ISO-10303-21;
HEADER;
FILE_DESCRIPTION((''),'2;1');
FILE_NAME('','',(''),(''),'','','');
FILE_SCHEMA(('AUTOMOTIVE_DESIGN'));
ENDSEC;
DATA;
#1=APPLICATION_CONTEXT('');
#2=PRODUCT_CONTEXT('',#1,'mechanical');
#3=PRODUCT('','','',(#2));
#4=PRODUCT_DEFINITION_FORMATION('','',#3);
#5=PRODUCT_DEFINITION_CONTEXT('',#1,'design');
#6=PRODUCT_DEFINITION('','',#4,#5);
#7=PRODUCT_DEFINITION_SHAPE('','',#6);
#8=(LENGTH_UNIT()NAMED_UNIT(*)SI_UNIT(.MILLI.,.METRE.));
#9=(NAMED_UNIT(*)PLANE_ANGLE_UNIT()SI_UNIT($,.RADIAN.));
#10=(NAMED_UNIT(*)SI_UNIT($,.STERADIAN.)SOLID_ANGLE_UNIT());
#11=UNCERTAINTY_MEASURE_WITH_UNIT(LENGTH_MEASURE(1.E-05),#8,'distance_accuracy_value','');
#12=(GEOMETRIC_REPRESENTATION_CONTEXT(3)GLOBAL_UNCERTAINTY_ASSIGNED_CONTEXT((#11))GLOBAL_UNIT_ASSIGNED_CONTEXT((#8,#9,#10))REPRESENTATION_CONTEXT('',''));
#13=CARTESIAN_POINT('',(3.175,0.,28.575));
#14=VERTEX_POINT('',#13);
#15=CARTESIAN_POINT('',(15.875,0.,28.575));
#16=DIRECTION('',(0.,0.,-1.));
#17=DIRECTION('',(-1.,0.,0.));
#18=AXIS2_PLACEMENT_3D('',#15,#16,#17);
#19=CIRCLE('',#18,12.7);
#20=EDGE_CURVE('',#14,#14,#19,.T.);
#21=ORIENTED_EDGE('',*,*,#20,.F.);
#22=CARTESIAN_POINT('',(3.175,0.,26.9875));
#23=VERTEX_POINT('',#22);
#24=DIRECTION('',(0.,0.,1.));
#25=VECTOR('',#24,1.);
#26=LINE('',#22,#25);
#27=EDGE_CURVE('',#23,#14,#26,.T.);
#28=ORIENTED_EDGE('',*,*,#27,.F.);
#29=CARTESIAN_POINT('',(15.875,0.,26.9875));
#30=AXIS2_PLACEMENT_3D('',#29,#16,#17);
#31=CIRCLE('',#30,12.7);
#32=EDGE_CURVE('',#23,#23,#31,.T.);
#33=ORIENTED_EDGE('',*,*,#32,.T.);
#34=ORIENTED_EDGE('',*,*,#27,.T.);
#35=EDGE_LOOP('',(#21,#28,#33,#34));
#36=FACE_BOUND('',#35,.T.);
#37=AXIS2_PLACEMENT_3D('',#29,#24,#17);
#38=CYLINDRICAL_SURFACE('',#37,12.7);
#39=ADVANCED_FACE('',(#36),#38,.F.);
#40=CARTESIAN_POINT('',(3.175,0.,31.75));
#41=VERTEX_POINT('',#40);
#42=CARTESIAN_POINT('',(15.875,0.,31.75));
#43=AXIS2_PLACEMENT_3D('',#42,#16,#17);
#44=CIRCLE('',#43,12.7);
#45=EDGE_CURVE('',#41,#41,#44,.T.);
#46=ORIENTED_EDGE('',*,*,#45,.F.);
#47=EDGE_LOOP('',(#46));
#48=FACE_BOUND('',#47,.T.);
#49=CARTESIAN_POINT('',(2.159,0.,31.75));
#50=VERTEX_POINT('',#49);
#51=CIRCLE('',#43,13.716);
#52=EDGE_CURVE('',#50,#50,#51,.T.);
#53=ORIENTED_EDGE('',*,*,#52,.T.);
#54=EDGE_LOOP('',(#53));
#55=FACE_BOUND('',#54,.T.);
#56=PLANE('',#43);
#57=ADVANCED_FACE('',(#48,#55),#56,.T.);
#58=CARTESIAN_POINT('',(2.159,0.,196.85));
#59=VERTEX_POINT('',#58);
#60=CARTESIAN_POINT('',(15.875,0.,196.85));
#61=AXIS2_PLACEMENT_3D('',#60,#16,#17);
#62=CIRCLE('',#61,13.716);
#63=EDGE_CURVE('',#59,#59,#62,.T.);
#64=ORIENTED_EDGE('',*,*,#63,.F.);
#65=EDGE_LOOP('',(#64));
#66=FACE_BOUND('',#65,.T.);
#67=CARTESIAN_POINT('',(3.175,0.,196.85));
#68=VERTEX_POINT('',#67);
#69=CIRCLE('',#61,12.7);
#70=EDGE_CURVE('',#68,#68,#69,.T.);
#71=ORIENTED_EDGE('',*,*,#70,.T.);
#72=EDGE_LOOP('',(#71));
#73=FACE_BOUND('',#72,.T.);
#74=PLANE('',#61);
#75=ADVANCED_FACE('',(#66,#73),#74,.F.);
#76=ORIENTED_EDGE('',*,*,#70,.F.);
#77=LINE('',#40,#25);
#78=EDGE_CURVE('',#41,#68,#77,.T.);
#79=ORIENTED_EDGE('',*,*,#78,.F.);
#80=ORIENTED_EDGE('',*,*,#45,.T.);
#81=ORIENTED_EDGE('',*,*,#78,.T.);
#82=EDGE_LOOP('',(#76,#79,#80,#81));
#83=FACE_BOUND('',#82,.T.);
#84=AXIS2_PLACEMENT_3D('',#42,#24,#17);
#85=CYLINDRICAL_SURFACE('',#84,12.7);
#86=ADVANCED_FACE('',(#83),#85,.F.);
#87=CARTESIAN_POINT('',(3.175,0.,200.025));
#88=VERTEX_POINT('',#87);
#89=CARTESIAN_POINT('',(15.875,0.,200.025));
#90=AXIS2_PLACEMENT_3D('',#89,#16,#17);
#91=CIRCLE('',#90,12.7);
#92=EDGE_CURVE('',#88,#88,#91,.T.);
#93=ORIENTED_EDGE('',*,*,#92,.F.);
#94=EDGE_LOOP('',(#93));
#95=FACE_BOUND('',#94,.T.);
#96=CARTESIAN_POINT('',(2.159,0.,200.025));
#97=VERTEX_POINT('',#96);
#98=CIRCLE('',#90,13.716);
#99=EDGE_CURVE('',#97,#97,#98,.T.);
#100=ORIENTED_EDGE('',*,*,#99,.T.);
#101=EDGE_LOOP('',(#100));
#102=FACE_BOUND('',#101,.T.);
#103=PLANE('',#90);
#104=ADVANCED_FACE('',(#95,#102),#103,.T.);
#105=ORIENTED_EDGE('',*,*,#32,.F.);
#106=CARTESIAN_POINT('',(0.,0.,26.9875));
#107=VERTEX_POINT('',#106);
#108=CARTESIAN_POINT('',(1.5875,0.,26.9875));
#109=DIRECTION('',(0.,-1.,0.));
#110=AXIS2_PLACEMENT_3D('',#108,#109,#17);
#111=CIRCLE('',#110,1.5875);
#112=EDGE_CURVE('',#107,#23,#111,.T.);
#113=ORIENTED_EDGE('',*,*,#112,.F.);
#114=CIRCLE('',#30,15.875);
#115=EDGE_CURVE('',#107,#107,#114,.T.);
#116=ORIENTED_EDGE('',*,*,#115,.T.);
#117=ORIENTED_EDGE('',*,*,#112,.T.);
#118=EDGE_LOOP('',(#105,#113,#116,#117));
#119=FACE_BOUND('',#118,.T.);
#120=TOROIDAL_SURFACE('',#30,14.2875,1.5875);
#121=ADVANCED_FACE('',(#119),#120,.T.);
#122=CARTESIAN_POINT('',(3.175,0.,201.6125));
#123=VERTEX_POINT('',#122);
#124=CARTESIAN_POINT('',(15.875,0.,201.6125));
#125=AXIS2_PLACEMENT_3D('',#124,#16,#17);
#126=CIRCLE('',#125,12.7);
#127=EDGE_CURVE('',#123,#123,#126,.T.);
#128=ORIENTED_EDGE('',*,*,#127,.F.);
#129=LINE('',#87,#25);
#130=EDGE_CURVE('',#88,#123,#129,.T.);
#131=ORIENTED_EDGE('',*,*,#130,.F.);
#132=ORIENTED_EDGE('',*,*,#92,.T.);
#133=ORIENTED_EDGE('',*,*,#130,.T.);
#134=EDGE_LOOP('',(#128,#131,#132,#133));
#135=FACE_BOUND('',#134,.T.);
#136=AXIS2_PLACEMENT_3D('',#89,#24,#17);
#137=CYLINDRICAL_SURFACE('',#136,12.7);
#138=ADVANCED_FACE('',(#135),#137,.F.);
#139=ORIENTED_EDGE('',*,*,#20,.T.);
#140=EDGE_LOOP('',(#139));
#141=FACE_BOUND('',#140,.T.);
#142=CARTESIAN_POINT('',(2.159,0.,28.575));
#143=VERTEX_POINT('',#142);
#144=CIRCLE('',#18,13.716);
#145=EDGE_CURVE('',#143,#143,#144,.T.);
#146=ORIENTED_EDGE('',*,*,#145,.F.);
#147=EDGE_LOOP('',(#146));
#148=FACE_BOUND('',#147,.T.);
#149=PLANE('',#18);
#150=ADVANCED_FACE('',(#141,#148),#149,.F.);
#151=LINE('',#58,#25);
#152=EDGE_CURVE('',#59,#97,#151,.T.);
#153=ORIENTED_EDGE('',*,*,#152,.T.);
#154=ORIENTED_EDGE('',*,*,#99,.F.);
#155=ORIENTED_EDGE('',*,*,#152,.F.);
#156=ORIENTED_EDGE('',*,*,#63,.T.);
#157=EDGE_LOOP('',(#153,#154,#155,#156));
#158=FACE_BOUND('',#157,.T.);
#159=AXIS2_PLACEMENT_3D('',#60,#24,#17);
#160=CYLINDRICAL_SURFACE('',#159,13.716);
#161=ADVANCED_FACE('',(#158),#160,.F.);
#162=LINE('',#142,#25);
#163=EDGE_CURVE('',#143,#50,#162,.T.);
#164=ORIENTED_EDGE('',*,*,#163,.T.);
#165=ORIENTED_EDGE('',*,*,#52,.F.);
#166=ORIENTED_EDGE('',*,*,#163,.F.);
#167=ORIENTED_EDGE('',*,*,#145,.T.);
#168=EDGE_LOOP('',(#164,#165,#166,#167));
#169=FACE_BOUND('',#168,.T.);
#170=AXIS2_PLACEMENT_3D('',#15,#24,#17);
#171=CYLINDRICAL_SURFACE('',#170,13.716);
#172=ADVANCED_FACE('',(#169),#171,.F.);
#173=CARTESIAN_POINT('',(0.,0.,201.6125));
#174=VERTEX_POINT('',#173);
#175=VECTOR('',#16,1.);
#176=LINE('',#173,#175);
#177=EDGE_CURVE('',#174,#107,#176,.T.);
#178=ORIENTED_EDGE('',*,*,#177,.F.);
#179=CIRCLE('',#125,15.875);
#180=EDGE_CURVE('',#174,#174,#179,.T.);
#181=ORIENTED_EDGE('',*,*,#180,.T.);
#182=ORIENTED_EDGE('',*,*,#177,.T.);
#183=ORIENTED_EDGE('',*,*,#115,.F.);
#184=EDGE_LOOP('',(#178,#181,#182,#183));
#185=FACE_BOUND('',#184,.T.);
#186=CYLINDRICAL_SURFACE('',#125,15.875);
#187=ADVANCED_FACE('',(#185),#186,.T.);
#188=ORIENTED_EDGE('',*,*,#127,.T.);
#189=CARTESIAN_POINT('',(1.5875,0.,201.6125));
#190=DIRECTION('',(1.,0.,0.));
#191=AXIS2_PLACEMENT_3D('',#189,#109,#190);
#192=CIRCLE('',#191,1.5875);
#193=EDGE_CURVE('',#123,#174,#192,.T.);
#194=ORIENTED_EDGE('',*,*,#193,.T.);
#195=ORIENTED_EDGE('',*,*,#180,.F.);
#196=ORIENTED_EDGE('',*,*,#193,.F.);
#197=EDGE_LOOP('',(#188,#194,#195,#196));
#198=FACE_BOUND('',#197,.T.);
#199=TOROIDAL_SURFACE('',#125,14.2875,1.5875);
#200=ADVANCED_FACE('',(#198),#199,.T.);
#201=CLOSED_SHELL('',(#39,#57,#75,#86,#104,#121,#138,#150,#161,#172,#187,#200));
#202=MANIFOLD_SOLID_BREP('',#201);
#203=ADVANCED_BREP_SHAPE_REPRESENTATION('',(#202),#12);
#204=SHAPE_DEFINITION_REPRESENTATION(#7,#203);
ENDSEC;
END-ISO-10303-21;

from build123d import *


with BuildPart() as f1:
    # F0 (on Front) → F1 (revolve)
    with BuildSketch(Plane.XZ):
        with BuildLine():
            Line((0, 201.6125), (0, 114.3))
            Line((0, 114.3), (0, 26.9875))
            ThreePointArc((0, 26.9875), (1.5875, 25.4), (3.175, 26.9875))
            Line((3.175, 26.9875), (3.175, 28.575))
            Line((3.175, 28.575), (2.159, 28.575))
            Line((2.159, 28.575), (2.159, 31.75))
            Line((2.159, 31.75), (3.175, 31.75))
            Line((3.175, 31.75), (3.175, 114.3))
            Line((3.175, 114.3), (3.175, 196.85))
            Line((3.175, 196.85), (2.159, 196.85))
            Line((2.159, 196.85), (2.159, 200.025))
            Line((2.159, 200.025), (3.175, 200.025))
            Line((3.175, 200.025), (3.175, 201.6125))
            ThreePointArc((3.175, 201.6125), (1.5875, 203.2), (0, 201.6125))
        make_face()
    revolve(axis=Axis((15.875, 0, 158.75), (0, 0, -1)))


solid = f1.part
